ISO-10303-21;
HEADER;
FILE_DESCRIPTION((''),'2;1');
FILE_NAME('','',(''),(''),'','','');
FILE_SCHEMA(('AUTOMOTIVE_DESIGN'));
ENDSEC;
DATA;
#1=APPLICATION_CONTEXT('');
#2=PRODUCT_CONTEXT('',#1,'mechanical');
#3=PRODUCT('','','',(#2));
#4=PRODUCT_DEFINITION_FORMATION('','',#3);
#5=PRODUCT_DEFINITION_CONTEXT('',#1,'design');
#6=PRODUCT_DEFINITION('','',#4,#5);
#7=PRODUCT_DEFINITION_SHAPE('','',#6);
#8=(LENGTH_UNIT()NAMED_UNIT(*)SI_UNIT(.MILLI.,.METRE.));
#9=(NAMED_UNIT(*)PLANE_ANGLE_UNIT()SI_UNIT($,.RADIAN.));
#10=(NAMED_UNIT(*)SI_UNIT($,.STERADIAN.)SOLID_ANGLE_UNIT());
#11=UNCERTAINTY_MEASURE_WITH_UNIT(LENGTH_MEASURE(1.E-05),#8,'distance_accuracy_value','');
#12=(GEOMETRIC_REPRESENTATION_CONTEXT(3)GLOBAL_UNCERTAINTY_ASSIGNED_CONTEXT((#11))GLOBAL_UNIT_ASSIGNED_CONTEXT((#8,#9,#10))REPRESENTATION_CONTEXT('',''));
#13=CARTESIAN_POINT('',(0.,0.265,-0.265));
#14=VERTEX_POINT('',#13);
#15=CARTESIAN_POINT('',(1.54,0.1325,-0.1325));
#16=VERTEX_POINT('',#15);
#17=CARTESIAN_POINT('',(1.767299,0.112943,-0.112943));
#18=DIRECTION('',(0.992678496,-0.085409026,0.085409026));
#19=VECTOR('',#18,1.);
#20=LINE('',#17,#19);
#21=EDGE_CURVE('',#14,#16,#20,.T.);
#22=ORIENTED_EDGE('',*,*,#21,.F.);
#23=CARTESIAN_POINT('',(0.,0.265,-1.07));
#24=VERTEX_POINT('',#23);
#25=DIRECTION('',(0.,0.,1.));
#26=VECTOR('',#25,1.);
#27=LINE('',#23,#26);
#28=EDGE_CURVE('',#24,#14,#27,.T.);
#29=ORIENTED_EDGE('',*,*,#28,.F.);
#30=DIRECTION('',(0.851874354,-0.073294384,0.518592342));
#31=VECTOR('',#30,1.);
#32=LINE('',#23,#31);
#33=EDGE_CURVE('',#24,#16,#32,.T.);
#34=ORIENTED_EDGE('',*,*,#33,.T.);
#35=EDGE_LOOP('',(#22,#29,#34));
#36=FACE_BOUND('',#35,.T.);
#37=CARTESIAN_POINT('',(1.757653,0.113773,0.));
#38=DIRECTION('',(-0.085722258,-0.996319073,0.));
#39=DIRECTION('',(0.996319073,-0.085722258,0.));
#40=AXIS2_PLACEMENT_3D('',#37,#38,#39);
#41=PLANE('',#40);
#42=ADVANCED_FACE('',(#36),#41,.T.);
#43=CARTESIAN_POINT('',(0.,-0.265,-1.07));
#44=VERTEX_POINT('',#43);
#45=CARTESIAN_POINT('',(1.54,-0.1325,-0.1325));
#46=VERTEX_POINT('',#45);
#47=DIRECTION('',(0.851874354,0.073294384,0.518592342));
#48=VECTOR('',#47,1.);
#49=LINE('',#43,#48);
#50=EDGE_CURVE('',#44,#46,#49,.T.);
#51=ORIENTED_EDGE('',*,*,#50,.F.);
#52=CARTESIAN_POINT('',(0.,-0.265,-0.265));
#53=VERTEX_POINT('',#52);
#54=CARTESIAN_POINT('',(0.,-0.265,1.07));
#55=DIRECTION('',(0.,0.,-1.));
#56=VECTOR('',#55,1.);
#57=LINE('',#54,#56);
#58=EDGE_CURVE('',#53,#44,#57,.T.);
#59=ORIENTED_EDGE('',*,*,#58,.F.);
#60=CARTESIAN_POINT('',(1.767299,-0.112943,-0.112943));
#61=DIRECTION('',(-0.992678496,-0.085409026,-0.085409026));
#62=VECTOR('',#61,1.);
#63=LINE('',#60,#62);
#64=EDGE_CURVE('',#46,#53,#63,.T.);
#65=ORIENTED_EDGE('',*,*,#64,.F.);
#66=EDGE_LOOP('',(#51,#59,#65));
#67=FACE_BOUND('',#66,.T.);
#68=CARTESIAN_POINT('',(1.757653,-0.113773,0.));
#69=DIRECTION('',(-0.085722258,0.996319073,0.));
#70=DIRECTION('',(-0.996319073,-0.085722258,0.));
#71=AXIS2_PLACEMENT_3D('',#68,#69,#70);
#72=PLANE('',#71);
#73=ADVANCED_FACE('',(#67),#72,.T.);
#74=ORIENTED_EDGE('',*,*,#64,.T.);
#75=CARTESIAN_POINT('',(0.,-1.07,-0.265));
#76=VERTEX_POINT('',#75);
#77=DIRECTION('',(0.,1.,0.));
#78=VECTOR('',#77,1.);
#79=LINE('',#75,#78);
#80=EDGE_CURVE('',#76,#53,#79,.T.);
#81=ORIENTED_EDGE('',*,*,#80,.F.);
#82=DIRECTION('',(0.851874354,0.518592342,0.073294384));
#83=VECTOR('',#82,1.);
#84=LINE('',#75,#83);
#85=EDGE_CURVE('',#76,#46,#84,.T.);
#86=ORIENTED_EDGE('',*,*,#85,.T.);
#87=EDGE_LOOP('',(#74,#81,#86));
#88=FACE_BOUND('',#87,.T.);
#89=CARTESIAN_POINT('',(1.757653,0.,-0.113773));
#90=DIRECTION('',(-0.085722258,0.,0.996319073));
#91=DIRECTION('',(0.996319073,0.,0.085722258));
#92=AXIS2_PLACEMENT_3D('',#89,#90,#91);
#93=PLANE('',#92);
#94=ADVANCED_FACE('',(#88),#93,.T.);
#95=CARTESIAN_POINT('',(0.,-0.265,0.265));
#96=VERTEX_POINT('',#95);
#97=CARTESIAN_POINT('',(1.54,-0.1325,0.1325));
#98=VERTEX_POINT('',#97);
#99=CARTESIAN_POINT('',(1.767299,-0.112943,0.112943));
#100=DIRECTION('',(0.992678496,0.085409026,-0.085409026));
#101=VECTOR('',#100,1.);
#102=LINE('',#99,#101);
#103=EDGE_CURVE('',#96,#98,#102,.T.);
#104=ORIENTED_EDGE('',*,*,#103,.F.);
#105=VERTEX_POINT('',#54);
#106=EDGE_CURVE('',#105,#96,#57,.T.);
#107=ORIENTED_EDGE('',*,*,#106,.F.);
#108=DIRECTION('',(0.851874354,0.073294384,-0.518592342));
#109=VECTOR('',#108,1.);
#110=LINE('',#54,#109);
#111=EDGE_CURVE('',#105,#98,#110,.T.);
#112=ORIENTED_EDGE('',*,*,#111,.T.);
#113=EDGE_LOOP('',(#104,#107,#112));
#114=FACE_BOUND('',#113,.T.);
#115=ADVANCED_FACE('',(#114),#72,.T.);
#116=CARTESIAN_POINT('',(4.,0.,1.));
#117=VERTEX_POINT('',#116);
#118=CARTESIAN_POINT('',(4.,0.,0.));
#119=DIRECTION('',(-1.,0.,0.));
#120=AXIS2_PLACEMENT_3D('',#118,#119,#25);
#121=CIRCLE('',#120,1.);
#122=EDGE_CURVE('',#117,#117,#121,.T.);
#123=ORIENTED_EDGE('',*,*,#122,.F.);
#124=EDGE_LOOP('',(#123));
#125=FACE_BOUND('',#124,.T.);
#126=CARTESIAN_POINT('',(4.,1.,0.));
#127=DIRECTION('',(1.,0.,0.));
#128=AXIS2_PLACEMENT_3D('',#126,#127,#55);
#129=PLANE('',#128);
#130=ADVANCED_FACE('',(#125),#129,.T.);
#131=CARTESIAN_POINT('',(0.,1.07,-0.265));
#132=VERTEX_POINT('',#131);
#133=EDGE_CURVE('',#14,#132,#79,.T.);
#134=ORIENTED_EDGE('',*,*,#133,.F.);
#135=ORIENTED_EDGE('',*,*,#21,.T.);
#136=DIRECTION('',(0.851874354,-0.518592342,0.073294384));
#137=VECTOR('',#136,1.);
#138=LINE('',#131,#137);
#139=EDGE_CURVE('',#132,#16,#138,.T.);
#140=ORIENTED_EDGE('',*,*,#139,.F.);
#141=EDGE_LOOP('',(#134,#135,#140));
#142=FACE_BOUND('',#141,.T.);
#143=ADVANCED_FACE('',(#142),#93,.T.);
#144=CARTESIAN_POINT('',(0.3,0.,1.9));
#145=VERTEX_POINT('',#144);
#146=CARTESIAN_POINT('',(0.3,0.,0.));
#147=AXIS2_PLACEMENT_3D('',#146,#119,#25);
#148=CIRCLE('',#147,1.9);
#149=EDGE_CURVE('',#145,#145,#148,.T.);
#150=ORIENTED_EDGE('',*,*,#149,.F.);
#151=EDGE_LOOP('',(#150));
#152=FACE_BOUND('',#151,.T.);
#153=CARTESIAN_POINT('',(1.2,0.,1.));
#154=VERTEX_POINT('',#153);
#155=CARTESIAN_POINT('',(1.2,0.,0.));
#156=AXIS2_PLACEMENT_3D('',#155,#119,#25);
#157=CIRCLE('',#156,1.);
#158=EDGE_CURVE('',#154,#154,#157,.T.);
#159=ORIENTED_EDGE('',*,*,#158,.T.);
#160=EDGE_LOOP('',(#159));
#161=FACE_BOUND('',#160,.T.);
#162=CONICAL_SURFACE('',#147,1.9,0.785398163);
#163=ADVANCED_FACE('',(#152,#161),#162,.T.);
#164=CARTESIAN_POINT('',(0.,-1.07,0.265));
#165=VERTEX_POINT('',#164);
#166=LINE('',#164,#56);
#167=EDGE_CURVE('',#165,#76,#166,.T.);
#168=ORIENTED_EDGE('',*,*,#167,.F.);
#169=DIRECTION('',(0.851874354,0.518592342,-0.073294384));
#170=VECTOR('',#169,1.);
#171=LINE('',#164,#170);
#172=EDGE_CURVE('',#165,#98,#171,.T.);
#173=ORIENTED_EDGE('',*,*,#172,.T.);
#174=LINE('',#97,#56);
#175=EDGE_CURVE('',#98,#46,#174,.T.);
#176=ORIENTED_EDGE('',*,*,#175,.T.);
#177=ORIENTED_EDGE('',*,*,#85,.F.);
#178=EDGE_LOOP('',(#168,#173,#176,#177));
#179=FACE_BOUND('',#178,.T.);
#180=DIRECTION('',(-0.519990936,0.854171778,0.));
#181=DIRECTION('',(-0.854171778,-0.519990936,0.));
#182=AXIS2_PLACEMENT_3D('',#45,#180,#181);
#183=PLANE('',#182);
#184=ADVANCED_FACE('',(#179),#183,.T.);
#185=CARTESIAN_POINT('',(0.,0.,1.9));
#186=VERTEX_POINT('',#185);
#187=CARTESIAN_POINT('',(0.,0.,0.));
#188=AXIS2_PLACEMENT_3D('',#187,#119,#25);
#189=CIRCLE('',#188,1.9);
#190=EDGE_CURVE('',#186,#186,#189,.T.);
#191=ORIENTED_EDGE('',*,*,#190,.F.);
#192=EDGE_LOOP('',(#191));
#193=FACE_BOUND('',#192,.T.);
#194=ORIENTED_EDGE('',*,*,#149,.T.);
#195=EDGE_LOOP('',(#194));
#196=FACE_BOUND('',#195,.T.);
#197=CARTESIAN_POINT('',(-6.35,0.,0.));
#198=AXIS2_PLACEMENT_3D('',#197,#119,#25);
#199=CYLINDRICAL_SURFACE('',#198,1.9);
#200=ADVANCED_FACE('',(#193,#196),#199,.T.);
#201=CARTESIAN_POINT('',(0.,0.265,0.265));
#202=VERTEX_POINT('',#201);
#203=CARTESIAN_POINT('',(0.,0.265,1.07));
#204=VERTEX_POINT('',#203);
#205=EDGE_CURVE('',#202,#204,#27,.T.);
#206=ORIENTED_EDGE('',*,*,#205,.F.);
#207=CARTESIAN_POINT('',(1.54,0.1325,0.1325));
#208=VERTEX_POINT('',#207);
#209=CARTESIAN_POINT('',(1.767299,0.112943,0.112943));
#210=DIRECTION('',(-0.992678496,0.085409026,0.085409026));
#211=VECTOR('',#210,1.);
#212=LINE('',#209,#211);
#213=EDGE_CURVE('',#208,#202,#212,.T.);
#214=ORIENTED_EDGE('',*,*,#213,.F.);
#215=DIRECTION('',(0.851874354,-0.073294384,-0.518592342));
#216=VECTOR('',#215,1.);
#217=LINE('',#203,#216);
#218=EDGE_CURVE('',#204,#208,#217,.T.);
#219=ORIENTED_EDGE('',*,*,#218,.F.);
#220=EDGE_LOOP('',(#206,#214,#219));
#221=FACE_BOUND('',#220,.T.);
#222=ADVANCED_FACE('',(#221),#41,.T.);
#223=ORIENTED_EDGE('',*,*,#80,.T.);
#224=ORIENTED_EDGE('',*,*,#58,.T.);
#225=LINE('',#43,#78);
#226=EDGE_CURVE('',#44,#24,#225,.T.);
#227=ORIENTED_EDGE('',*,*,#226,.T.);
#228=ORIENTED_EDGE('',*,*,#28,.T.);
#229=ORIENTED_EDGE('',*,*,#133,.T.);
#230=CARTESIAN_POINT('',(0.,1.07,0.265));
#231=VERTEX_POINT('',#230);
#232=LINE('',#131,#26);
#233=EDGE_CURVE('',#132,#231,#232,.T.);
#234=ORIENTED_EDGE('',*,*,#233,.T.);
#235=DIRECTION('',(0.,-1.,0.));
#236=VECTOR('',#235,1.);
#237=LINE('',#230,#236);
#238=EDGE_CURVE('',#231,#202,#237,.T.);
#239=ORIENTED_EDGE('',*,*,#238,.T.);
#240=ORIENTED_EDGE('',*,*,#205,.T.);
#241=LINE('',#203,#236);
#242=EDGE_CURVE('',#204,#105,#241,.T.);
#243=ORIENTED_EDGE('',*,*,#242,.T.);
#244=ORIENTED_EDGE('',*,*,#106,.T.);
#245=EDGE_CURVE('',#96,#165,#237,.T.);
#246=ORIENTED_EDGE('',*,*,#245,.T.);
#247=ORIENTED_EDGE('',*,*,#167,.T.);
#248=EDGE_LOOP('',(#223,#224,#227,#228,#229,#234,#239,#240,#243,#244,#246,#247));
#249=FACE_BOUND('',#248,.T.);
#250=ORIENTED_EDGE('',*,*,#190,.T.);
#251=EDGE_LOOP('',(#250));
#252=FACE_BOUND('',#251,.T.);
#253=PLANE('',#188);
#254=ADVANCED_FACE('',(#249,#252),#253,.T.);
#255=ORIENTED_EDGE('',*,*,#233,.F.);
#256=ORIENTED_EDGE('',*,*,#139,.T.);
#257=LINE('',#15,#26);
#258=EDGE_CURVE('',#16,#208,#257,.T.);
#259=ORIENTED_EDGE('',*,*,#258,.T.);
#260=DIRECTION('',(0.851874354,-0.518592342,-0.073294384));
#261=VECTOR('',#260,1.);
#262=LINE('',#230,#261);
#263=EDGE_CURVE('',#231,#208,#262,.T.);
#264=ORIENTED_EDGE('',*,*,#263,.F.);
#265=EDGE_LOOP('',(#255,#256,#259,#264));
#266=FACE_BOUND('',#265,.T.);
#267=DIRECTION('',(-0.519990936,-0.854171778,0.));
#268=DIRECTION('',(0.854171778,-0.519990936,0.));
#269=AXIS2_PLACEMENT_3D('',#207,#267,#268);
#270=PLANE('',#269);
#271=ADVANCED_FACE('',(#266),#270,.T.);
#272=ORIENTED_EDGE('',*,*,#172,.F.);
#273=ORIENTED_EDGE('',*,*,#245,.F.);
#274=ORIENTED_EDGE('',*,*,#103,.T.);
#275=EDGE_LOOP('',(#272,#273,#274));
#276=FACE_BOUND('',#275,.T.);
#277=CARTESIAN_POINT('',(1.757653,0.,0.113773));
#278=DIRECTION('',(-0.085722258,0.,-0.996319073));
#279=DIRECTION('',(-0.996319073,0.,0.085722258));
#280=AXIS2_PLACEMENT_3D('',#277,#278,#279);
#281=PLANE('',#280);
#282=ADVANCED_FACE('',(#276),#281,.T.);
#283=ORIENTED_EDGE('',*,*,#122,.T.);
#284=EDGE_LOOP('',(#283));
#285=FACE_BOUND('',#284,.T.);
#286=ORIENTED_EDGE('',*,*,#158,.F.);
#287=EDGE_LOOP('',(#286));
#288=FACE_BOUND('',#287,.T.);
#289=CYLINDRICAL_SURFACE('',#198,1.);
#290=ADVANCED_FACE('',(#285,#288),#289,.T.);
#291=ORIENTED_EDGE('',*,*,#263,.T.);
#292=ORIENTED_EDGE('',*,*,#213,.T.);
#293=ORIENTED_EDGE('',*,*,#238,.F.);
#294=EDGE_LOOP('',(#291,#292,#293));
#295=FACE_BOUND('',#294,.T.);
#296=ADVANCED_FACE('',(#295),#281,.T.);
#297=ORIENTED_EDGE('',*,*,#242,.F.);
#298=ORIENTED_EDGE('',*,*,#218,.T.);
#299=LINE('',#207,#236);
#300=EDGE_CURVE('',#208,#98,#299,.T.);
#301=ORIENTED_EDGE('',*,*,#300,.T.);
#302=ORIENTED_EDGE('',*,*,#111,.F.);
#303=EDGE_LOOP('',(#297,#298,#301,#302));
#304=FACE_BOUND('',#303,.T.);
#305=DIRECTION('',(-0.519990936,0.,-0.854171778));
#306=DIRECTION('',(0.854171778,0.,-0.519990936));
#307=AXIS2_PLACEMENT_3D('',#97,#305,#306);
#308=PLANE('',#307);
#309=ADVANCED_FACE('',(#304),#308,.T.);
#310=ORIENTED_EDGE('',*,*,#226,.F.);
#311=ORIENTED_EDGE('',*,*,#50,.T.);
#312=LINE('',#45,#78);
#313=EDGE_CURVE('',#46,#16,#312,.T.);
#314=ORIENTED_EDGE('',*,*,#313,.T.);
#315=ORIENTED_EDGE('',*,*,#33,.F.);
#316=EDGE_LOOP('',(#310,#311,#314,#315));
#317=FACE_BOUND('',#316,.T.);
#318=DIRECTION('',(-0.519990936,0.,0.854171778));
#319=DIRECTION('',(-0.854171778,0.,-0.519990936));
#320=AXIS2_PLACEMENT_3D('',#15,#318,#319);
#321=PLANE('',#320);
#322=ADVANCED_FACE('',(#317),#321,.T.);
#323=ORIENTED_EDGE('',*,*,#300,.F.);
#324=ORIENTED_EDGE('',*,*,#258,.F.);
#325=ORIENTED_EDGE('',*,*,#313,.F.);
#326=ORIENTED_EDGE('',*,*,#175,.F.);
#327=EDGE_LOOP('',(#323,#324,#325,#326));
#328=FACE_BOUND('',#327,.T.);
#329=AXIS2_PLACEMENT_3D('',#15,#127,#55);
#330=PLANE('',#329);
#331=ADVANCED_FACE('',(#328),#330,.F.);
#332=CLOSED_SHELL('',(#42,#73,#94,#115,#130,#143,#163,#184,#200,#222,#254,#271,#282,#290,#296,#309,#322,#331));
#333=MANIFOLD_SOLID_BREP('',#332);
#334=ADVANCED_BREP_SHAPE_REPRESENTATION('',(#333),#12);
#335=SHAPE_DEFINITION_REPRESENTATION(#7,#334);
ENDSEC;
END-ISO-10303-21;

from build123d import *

# Parameters (mm, degrees)
SKETCH3_W         = 0.53
SKETCH3_H         = 2.14
SKETCH4_W         = 0.265
SKETCH4_H         = 0.265
CIRPATTERN1_COUNT = 2
CIRPATTERN1_ANGLE = 90


with BuildPart() as part:
    # BodySke → Base-Revolve (revolve)
    with BuildSketch(Plane.XY):
        Polygon((0, 0), (0, 1.9), (0.3, 1.9), (1.2, 1), (4, 1), (4, 0), align=None)
    revolve(axis=Axis((-6.35, 0, 0), (1, 0, 0)))

    # Sketch3 → Cross section 0
    with BuildSketch(Plane.ZY):
        Rectangle(SKETCH3_W, SKETCH3_H)
    # Sketch4 → Cross section 1
    with BuildSketch(Plane.ZY.offset(-1.54)):
        Rectangle(SKETCH4_W, SKETCH4_H)
    cross = loft(mode=Mode.SUBTRACT)

    # CirPattern1: Cross ×2 about axis
    cirpattern1_axis = Axis((0, 0, 0), (1, 0, 0))
    for i in range(1, CIRPATTERN1_COUNT):
        add(cross.rotate(cirpattern1_axis, i * CIRPATTERN1_ANGLE / (CIRPATTERN1_COUNT - 1)), mode=Mode.SUBTRACT)


solid = part.part
